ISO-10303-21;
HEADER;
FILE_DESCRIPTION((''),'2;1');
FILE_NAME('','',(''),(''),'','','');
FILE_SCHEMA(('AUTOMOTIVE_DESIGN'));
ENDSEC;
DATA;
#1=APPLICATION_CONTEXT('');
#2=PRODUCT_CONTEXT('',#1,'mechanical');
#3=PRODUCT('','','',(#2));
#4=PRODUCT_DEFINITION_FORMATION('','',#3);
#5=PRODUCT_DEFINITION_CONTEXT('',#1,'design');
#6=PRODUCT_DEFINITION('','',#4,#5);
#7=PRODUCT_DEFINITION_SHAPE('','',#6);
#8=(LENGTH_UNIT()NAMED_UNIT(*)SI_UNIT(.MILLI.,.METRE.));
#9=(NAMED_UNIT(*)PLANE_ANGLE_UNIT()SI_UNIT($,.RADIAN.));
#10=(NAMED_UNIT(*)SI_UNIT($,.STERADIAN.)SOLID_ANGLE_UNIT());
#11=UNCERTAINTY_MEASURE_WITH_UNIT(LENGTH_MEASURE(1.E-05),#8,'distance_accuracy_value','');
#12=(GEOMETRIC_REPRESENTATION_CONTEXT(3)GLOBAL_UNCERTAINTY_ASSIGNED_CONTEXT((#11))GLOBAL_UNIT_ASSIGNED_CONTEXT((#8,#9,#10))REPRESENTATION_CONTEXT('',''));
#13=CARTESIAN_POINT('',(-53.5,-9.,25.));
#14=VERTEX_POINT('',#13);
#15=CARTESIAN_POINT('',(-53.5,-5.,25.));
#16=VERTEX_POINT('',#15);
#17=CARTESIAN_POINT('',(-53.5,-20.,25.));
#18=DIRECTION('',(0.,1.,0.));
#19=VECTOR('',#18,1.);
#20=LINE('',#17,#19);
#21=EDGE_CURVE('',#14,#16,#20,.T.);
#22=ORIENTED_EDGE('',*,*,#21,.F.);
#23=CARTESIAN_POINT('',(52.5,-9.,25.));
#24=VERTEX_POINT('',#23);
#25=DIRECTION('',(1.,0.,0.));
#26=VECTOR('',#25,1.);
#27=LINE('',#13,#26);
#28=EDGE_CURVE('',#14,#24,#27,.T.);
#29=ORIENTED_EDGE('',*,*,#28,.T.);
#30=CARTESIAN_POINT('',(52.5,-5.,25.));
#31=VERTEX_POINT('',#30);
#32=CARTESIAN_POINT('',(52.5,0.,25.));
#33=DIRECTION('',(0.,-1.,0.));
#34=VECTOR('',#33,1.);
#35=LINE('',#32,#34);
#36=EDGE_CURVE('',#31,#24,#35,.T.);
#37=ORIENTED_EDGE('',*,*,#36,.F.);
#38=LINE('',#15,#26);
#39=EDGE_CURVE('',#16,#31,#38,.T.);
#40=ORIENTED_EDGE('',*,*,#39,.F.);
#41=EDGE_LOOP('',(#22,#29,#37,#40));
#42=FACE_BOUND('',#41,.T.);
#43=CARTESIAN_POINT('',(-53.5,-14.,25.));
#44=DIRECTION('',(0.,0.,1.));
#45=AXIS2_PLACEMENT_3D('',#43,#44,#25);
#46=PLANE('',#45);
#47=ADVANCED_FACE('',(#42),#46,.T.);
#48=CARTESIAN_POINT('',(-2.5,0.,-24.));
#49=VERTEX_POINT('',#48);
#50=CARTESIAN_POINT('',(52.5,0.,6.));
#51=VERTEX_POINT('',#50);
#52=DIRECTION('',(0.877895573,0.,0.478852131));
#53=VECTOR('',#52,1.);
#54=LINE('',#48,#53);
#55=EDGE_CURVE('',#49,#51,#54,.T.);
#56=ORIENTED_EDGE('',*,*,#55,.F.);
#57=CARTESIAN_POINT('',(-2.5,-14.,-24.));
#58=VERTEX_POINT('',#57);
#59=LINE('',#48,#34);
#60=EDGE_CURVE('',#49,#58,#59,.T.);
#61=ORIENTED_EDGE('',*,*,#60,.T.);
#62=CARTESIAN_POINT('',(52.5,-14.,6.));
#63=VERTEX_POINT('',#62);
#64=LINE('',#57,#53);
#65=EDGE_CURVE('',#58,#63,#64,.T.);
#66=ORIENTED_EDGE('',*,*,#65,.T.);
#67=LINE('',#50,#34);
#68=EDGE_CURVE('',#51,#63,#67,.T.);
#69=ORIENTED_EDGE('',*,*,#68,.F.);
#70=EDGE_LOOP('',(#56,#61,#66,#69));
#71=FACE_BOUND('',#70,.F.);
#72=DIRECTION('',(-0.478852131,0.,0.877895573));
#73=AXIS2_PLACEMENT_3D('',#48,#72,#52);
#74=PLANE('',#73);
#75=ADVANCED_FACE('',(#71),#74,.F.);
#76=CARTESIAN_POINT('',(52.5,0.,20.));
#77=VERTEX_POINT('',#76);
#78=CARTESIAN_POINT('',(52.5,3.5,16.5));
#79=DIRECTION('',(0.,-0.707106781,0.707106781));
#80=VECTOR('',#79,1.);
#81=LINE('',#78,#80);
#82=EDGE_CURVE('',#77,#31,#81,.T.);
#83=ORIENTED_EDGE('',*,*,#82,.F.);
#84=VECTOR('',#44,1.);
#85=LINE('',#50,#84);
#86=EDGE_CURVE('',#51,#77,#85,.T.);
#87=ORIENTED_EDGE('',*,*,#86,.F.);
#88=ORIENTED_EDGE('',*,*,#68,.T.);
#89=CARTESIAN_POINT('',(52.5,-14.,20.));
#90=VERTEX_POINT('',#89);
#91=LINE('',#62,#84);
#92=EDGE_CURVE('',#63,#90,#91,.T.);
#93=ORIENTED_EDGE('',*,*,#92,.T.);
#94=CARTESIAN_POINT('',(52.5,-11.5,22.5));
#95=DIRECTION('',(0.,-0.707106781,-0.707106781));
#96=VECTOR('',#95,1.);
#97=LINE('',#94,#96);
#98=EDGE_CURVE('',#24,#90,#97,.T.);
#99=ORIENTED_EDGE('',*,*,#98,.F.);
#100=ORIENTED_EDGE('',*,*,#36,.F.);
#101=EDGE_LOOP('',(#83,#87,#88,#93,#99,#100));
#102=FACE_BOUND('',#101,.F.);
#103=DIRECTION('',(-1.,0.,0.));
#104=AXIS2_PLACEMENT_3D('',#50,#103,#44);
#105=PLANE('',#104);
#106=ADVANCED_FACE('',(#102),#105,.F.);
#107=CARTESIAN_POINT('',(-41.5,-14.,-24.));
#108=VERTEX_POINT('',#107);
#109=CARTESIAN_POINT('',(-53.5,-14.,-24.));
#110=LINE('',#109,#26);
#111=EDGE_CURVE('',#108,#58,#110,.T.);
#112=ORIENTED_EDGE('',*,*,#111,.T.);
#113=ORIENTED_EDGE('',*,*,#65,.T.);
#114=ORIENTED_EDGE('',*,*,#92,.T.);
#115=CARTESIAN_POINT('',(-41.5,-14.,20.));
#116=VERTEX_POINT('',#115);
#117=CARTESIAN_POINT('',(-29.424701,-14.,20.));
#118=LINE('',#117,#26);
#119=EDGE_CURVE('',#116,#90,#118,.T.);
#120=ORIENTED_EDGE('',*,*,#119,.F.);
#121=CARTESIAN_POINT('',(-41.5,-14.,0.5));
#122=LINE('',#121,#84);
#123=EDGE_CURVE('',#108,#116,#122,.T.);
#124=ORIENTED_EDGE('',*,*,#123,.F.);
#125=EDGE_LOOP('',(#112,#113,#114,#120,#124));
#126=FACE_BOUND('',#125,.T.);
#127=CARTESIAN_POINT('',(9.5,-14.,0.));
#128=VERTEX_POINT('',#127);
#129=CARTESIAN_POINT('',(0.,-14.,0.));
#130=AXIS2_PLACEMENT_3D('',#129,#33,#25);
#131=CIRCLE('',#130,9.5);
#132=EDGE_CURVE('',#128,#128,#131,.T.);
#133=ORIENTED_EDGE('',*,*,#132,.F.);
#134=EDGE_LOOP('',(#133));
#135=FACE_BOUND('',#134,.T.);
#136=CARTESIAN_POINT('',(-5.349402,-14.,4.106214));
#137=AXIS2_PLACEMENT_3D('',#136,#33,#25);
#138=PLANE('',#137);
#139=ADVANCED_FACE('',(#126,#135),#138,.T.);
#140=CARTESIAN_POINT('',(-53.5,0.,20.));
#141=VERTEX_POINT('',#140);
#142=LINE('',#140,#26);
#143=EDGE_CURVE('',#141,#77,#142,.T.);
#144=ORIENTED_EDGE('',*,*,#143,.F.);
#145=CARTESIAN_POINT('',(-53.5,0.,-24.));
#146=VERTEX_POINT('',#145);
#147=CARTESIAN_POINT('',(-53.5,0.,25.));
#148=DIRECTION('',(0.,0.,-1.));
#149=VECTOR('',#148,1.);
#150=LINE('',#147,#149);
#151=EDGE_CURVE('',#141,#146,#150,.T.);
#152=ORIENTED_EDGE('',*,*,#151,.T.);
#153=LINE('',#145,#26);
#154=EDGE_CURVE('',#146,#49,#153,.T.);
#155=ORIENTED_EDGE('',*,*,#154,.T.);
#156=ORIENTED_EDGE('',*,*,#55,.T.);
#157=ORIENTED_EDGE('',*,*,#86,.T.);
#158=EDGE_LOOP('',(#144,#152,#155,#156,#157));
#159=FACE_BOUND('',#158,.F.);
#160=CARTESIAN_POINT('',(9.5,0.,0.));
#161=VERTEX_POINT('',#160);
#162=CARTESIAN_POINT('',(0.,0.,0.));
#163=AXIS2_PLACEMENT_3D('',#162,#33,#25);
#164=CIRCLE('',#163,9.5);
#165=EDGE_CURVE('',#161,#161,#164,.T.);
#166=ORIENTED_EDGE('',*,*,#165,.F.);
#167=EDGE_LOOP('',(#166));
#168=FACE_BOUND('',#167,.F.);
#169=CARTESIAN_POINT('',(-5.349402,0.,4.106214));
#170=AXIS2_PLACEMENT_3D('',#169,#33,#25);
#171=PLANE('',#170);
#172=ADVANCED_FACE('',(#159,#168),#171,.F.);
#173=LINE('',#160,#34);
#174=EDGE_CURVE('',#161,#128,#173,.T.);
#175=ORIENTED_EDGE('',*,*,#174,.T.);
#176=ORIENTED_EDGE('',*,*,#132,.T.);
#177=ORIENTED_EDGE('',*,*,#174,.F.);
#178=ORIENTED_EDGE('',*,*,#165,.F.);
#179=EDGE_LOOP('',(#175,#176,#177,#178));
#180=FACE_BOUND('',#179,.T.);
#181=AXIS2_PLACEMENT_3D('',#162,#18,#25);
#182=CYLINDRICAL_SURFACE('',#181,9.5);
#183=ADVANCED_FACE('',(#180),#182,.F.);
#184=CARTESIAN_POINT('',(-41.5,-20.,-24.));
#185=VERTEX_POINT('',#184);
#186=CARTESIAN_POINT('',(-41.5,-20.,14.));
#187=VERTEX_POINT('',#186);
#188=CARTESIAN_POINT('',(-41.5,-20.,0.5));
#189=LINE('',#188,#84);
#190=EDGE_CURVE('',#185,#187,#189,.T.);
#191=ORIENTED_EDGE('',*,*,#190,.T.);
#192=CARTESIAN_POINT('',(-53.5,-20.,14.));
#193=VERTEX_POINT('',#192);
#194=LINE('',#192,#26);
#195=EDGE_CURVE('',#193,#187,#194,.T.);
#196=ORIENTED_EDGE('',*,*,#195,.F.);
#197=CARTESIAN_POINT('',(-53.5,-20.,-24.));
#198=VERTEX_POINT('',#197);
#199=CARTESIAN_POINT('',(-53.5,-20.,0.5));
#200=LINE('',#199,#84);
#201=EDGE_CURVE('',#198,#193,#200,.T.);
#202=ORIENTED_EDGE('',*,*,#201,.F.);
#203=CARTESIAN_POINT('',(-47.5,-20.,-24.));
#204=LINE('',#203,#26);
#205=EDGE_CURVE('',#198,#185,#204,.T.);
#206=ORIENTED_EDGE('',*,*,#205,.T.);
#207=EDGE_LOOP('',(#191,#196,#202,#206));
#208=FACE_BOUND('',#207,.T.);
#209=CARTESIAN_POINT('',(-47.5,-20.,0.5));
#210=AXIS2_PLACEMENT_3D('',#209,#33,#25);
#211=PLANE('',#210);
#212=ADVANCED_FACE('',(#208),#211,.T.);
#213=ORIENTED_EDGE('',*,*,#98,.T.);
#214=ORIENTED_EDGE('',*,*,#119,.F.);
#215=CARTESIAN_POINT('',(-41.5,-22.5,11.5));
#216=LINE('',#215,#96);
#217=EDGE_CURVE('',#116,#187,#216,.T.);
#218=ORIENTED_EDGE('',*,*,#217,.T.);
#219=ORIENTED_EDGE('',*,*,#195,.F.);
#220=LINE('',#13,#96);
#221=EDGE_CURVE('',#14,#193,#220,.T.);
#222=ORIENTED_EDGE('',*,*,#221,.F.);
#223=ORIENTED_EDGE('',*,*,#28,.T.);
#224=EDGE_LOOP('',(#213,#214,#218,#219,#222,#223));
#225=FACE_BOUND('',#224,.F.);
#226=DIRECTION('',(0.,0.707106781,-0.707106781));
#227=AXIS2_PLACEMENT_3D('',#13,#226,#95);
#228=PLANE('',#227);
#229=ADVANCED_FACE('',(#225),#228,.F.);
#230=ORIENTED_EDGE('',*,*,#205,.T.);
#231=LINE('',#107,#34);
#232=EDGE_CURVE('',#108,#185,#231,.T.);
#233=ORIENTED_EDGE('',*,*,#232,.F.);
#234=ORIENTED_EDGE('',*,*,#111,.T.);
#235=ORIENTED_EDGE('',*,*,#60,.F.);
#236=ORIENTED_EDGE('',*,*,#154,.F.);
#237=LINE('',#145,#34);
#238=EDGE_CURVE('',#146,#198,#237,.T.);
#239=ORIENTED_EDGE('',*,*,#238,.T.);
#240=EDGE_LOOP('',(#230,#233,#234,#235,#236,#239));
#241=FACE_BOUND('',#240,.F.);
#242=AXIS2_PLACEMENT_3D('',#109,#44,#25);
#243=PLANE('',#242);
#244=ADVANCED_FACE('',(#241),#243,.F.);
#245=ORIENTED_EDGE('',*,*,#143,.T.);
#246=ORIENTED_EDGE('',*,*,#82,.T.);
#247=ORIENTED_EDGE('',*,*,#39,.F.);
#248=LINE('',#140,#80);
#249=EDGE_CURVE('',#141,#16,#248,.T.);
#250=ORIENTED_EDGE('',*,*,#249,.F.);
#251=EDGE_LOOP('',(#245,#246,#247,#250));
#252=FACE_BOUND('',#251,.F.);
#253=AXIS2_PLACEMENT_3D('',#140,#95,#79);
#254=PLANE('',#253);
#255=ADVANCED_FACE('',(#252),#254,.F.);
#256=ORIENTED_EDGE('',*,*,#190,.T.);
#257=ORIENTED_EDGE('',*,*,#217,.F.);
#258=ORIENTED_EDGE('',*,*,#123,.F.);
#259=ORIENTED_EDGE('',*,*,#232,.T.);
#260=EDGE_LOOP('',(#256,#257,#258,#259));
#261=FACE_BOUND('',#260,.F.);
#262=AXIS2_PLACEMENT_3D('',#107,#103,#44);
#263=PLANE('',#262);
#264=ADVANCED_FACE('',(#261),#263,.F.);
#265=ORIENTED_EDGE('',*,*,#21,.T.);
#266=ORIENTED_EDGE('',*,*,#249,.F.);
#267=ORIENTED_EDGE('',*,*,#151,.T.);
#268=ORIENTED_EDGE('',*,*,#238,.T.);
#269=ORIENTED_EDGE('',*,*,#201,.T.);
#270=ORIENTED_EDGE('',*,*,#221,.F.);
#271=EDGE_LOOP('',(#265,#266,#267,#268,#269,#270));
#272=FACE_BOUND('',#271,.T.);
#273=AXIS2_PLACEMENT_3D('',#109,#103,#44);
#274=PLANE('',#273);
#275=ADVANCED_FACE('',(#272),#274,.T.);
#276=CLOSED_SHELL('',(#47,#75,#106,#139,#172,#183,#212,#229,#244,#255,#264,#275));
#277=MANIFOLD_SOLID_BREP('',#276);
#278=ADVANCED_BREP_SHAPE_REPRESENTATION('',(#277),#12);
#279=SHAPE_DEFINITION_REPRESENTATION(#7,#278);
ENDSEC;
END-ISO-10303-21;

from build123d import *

# Parameters (mm, degrees)
F0_R     = 9.5
F1_DEPTH = 14
F2_W     = 12
F2_H     = 49
F3_DEPTH = 6
F5_DEPTH = 106.001


with BuildPart() as f1:
    # F0 (on Front) → F1 (new body)
    with BuildSketch(Plane.XZ):
        Polygon((52.5, 25), (-53.5, 25), (-53.5, -24), (-2.5, -24), (52.5, 6), align=None)
        Circle(F0_R, mode=Mode.SUBTRACT)
    extrude(amount=F1_DEPTH)

    # F2 (on face) → F3 (join)
    with BuildSketch(Plane.XZ.offset(14)):
        with Locations((-47.5, 0.5)):
            Rectangle(F2_W, F2_H)
    extrude(amount=F3_DEPTH)

    # F4 (on face) → F5 (cut, through all)
    with BuildSketch(Plane(origin=(-53.5, 0, 0), x_dir=(0, -1, 0), z_dir=(-1, 0, 0))):
        Polygon((20, 25), (9, 25), (20, 14), align=None)
        Polygon((0, 25), (0, 20), (5, 25), align=None)
    extrude(amount=-F5_DEPTH, mode=Mode.SUBTRACT)


solid = f1.part
